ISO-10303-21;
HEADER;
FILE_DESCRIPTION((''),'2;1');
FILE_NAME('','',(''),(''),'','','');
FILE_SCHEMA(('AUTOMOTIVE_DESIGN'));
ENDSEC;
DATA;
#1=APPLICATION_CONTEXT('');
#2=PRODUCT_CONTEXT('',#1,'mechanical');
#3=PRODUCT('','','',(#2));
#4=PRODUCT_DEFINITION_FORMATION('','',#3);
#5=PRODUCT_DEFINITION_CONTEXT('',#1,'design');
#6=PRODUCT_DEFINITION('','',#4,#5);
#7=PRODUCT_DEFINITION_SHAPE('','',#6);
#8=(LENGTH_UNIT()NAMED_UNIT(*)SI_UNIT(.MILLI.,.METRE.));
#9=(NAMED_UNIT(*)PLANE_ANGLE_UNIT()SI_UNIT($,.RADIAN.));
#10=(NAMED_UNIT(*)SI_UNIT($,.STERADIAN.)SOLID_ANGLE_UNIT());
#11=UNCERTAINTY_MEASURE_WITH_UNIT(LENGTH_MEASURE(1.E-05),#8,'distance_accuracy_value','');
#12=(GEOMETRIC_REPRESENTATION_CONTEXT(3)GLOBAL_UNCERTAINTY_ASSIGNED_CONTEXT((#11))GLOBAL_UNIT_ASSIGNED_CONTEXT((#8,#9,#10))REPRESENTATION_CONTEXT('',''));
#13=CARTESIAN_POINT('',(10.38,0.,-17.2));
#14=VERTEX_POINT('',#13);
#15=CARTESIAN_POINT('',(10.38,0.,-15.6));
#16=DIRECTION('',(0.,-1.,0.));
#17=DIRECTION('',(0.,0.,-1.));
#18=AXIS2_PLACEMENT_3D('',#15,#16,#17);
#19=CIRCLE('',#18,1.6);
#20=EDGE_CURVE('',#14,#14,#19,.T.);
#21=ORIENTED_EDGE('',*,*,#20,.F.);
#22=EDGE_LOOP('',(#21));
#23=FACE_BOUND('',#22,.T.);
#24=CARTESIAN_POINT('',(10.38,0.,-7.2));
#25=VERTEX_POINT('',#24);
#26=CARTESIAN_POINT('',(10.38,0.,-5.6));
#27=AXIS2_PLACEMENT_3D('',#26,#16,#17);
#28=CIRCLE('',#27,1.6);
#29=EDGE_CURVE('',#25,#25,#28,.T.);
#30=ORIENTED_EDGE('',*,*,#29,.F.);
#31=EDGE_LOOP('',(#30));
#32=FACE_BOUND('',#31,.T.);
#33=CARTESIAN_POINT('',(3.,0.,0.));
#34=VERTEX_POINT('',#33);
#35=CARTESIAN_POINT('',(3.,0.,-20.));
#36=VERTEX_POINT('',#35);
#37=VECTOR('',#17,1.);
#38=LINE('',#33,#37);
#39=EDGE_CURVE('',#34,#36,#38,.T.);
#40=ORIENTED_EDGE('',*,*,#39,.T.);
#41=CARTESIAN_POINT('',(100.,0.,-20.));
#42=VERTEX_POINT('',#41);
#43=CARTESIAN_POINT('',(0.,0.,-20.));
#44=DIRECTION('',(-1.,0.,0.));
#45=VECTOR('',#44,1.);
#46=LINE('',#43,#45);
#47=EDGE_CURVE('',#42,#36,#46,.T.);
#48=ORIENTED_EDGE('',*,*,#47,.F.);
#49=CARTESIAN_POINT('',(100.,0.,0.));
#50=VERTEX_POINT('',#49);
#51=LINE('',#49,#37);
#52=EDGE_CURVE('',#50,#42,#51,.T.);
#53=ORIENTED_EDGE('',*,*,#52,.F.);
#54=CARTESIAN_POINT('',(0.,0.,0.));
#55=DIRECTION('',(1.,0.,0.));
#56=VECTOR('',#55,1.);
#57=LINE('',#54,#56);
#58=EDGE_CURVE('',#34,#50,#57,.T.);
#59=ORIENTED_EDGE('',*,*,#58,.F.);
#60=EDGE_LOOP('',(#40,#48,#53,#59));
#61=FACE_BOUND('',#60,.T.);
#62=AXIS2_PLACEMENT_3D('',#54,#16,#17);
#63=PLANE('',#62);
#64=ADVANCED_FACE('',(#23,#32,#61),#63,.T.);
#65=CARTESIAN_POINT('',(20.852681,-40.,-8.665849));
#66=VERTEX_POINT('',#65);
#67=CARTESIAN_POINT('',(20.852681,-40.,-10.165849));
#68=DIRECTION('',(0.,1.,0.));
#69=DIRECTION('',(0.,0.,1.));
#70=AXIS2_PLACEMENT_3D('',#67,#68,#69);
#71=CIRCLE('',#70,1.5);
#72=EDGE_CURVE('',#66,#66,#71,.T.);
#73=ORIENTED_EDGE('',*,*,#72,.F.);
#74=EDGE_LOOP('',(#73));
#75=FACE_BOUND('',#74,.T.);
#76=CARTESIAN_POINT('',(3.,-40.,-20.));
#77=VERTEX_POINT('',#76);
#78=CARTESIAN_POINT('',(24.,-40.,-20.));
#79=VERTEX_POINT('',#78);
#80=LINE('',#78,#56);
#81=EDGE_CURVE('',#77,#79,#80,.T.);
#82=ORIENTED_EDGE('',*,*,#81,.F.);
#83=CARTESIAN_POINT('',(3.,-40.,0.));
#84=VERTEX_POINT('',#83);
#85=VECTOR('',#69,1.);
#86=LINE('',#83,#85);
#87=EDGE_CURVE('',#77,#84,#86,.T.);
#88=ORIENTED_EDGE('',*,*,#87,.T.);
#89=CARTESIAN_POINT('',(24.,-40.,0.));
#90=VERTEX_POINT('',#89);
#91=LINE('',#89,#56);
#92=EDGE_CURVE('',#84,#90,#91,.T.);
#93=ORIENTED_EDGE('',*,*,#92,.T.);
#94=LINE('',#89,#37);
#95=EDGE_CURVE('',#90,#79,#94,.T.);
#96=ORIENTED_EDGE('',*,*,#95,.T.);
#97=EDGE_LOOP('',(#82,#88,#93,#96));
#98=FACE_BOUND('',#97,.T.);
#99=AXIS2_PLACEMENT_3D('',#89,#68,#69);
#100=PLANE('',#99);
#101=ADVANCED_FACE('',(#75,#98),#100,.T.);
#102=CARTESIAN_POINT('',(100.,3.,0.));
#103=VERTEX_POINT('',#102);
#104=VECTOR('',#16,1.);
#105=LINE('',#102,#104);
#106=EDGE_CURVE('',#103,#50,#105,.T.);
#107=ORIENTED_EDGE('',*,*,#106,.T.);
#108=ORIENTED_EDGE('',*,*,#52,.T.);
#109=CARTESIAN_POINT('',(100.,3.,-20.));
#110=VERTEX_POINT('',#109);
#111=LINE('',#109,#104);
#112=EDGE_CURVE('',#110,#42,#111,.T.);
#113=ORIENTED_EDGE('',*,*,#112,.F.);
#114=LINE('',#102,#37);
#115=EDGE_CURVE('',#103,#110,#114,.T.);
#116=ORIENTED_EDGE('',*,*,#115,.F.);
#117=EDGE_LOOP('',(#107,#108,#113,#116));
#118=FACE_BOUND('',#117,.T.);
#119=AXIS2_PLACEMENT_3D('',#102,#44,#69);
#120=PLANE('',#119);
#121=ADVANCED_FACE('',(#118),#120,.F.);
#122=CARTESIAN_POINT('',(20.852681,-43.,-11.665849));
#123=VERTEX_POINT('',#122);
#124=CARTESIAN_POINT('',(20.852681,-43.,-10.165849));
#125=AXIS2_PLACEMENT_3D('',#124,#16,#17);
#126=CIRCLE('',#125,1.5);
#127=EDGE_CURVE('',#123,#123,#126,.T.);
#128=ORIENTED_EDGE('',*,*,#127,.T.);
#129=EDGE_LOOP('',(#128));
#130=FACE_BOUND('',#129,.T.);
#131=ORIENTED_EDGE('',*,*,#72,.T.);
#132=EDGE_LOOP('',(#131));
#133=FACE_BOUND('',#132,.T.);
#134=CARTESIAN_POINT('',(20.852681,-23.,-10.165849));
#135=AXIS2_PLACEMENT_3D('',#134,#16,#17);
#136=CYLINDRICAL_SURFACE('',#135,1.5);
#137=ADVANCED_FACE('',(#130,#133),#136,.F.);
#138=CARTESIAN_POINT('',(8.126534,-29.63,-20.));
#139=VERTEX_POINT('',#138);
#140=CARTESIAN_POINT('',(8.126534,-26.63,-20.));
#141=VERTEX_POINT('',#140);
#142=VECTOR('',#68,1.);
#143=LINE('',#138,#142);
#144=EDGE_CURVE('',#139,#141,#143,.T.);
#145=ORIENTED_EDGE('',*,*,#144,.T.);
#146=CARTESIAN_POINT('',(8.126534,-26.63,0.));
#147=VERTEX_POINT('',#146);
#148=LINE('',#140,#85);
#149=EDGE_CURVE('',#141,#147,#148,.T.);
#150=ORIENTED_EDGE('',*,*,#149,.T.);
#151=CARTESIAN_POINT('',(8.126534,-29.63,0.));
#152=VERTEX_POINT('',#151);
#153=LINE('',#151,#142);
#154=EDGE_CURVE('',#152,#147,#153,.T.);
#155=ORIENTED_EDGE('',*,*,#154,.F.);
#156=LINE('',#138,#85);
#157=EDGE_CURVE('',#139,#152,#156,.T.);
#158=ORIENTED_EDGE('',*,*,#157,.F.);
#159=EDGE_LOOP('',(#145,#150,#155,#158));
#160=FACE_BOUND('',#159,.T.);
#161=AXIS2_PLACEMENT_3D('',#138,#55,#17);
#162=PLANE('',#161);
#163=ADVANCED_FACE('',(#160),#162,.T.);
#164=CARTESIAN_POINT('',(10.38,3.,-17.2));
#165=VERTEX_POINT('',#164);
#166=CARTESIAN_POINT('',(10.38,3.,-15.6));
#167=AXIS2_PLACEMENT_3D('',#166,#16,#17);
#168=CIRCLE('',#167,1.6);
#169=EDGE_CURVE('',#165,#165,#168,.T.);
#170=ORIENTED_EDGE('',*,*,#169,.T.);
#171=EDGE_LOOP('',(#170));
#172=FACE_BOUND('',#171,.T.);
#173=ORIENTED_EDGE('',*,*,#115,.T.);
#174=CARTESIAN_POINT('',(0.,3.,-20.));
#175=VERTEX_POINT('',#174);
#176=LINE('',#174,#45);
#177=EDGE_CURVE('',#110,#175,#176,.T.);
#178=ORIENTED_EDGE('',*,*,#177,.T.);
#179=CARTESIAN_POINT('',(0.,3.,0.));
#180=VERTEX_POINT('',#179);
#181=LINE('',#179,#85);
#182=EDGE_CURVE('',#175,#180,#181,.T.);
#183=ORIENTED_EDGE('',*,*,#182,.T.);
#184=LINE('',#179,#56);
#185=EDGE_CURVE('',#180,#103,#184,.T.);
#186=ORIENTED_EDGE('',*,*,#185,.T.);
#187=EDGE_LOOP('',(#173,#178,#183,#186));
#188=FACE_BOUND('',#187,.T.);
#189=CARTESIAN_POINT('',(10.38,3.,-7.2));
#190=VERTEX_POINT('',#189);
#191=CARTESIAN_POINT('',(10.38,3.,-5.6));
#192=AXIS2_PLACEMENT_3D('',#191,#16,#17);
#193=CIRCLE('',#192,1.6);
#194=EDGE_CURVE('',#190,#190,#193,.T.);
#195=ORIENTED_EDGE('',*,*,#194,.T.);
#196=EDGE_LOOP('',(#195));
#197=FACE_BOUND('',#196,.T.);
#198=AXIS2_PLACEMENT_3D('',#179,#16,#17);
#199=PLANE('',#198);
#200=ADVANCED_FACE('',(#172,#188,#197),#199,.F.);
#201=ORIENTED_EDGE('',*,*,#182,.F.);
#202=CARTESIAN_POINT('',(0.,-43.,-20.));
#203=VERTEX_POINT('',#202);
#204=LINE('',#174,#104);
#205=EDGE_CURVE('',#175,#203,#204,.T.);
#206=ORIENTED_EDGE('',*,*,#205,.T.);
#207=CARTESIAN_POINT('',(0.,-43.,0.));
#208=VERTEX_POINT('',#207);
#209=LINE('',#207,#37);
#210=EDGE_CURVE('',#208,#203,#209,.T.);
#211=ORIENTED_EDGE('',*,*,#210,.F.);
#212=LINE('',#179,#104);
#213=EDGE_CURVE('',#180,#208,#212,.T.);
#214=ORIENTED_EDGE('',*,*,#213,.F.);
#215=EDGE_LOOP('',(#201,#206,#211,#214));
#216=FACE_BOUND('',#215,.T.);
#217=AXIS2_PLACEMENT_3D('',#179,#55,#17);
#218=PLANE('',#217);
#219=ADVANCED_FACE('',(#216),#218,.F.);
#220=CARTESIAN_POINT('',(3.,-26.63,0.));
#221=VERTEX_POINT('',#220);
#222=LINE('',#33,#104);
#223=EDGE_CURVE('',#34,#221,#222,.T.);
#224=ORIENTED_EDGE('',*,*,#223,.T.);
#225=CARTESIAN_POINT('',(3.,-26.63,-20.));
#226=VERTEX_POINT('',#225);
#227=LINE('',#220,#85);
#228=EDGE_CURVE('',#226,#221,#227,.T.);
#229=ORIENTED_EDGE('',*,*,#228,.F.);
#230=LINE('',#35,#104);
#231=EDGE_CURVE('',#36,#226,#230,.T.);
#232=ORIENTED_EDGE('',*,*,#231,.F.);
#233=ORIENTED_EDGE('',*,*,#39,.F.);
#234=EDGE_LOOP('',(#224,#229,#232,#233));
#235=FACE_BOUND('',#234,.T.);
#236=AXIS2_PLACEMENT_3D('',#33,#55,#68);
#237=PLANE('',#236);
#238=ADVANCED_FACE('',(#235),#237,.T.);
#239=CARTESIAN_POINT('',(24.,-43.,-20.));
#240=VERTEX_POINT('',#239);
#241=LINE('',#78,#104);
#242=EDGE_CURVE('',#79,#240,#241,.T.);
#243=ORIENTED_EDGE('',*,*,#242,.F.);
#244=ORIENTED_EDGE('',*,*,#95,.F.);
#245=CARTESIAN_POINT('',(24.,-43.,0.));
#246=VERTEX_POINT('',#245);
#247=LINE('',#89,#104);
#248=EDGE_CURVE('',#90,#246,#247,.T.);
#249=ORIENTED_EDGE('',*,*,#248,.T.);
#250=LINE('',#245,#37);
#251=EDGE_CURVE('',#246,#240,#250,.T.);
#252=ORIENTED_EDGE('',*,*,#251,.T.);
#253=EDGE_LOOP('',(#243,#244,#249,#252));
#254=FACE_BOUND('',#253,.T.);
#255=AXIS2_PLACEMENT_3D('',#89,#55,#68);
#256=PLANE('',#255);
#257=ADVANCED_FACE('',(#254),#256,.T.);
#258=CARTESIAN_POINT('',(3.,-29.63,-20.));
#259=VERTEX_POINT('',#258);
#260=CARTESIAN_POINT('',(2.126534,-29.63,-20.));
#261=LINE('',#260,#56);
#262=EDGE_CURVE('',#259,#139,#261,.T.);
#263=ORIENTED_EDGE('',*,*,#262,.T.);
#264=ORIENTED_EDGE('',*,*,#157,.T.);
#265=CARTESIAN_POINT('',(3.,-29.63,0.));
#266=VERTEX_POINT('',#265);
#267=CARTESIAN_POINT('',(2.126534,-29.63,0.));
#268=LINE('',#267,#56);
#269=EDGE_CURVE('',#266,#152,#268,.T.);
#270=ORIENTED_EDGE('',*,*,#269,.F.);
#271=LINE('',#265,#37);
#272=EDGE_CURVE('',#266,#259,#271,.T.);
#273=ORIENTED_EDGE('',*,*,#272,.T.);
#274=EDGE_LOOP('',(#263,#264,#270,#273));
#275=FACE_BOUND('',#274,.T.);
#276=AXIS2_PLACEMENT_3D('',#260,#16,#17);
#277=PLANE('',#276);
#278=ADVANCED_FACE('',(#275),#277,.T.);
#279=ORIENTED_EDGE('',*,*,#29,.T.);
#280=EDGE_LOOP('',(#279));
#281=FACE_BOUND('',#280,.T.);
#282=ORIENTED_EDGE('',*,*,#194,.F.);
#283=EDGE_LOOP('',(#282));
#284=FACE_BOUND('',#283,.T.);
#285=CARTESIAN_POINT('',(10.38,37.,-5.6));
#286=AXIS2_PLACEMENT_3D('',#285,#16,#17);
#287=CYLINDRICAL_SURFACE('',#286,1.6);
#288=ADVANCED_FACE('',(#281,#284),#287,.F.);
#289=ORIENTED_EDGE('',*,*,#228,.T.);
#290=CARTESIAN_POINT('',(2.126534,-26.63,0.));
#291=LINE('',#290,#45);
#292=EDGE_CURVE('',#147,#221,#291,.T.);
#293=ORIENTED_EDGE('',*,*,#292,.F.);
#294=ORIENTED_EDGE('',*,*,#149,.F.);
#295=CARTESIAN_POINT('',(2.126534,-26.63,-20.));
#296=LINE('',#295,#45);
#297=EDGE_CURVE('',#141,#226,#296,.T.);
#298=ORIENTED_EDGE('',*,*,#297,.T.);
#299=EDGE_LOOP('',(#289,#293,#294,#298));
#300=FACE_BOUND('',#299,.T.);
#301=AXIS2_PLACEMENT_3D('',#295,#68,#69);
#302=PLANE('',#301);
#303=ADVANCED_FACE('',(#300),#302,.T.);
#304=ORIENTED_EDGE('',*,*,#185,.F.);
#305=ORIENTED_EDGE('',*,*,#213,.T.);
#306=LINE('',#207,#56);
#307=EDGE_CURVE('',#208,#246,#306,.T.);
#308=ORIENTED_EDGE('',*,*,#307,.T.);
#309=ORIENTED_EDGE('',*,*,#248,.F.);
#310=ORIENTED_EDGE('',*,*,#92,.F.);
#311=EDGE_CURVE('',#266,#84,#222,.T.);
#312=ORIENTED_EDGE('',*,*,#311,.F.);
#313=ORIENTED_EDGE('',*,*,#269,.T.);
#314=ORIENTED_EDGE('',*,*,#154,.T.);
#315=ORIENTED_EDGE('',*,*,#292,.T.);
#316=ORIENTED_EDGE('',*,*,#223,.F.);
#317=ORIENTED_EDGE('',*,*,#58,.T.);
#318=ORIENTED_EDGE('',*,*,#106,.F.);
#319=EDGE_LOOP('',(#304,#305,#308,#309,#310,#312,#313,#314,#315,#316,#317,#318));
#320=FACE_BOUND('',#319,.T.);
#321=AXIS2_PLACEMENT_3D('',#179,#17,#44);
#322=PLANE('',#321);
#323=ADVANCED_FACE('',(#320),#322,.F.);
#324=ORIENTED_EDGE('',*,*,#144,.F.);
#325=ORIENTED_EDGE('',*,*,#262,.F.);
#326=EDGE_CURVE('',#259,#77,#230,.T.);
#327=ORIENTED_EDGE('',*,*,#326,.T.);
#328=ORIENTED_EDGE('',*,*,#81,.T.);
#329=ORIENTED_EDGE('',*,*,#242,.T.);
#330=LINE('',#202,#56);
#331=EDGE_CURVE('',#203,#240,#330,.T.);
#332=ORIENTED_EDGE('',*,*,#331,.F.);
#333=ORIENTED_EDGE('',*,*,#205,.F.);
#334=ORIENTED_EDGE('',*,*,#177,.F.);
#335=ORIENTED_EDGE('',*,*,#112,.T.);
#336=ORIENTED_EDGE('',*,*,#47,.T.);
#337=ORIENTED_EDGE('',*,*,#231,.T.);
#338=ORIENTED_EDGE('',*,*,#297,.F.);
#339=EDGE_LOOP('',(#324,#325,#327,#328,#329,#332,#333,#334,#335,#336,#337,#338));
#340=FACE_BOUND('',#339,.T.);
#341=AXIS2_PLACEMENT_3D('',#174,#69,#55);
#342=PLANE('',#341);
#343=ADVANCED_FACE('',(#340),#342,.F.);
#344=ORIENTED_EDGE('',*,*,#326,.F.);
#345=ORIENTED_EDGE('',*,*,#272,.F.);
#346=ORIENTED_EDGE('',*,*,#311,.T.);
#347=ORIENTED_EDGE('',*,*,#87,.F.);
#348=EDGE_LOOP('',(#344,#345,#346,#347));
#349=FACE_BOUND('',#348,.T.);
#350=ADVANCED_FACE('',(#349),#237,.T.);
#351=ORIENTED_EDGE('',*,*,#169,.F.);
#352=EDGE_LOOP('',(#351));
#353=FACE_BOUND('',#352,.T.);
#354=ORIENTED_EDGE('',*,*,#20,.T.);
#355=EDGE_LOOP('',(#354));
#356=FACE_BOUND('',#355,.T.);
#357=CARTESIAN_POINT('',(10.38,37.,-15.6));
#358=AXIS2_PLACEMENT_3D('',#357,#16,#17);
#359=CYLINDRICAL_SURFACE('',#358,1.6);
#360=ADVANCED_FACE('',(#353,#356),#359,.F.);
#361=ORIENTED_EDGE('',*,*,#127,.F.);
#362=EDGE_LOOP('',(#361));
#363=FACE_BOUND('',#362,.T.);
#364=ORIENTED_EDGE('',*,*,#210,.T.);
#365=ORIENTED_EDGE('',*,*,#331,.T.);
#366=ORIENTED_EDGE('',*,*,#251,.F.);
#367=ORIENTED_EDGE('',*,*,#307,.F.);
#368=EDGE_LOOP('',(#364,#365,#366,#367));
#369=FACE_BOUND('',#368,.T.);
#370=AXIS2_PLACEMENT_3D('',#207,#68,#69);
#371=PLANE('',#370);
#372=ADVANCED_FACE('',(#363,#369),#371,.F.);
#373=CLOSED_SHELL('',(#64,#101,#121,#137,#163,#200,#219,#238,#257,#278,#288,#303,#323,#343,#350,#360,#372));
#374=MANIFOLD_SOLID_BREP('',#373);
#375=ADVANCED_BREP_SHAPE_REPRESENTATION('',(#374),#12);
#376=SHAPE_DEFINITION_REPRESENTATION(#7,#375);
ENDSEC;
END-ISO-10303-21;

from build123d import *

# Parameters (mm, degrees)
SKETCH1_W            = 100
SKETCH1_H            = 20
BOSS_EXTRUDE1_DEPTH  = 3
BOSS_EXTRUDE3_DEPTH  = 20
SKETCH8_W            = 24
SKETCH8_H            = 3
BOSS_EXTRUDE6_DEPTH  = 20
SKETCH10_W           = 6
SKETCH10_H           = 3
BOSS_EXTRUDE9_DEPTH  = 20
SKETCH12_R           = 1.6
CUT_EXTRUDE1_DEPTH   = 80
SKETCH11_R           = 1.5
CUT_EXTRUDE2_DEPTH   = 20
SKETCH13_W           = 7.961309781
SKETCH13_H           = 15.301040779
BOSS_EXTRUDE10_DEPTH = 3


with BuildPart() as part:
    # Sketch1 → Boss-Extrude1 (new body)
    with BuildSketch(Plane(origin=(0, 0, 0), x_dir=(1, 0, 0), z_dir=(0, 1, 0))):
        with Locations((50, 10)):
            Rectangle(SKETCH1_W, SKETCH1_H)
    extrude(amount=BOSS_EXTRUDE1_DEPTH)

    # Sketch4 → Boss-Extrude3 (add)
    with BuildSketch(Plane(origin=(0, 0, -20), x_dir=(-1, 0, 0), z_dir=(0, 0, -1))):
        Polygon((0, -43), (0, 0), (-3, 0), (-3, -24), (-3, -26.692100843), (-3, -43), align=None)
    extrude(amount=-BOSS_EXTRUDE3_DEPTH)

    # Sketch8 → Boss-Extrude6 (add)
    with BuildSketch(Plane(origin=(0, 0, -20), x_dir=(-1, 0, 0), z_dir=(0, 0, -1))):
        with Locations((-12, -41.5)):
            Rectangle(SKETCH8_W, SKETCH8_H)
    extrude(amount=-BOSS_EXTRUDE6_DEPTH)

    # Sketch10 → Boss-Extrude9 (add)
    with BuildSketch(Plane.XY):
        with Locations((5.126533602, -28.13)):
            Rectangle(SKETCH10_W, SKETCH10_H)
    extrude(amount=-BOSS_EXTRUDE9_DEPTH)

    # Sketch12 → Cut-Extrude1 (cut)
    with BuildSketch(Plane(origin=(0, -43, 0), x_dir=(-1, 0, 0), z_dir=(0, -1, 0))):
        with Locations(Location((-10.38, 5.6, 0), (0, 0, 90))):
            Circle(SKETCH12_R)
        with Locations(Location((-10.38, 15.6, 0), (0, 0, 90))):
            Circle(SKETCH12_R)
    extrude(amount=-CUT_EXTRUDE1_DEPTH, mode=Mode.SUBTRACT)

    # Sketch11 → Cut-Extrude2 (cut)
    with BuildSketch(Plane.XZ.offset(43)):
        with Locations(Location((20.852680531, -10.165848845, 0), (0, 0, 270))):
            Circle(SKETCH11_R)
    extrude(amount=-CUT_EXTRUDE2_DEPTH, mode=Mode.SUBTRACT)

    # Sketch13 → Boss-Extrude10 (add)
    with BuildSketch(Plane.XZ.offset(43)):
        with Locations((9.051384729, -11.125007192)):
            Rectangle(SKETCH13_W, SKETCH13_H)
    extrude(amount=-BOSS_EXTRUDE10_DEPTH)


solid = part.part
